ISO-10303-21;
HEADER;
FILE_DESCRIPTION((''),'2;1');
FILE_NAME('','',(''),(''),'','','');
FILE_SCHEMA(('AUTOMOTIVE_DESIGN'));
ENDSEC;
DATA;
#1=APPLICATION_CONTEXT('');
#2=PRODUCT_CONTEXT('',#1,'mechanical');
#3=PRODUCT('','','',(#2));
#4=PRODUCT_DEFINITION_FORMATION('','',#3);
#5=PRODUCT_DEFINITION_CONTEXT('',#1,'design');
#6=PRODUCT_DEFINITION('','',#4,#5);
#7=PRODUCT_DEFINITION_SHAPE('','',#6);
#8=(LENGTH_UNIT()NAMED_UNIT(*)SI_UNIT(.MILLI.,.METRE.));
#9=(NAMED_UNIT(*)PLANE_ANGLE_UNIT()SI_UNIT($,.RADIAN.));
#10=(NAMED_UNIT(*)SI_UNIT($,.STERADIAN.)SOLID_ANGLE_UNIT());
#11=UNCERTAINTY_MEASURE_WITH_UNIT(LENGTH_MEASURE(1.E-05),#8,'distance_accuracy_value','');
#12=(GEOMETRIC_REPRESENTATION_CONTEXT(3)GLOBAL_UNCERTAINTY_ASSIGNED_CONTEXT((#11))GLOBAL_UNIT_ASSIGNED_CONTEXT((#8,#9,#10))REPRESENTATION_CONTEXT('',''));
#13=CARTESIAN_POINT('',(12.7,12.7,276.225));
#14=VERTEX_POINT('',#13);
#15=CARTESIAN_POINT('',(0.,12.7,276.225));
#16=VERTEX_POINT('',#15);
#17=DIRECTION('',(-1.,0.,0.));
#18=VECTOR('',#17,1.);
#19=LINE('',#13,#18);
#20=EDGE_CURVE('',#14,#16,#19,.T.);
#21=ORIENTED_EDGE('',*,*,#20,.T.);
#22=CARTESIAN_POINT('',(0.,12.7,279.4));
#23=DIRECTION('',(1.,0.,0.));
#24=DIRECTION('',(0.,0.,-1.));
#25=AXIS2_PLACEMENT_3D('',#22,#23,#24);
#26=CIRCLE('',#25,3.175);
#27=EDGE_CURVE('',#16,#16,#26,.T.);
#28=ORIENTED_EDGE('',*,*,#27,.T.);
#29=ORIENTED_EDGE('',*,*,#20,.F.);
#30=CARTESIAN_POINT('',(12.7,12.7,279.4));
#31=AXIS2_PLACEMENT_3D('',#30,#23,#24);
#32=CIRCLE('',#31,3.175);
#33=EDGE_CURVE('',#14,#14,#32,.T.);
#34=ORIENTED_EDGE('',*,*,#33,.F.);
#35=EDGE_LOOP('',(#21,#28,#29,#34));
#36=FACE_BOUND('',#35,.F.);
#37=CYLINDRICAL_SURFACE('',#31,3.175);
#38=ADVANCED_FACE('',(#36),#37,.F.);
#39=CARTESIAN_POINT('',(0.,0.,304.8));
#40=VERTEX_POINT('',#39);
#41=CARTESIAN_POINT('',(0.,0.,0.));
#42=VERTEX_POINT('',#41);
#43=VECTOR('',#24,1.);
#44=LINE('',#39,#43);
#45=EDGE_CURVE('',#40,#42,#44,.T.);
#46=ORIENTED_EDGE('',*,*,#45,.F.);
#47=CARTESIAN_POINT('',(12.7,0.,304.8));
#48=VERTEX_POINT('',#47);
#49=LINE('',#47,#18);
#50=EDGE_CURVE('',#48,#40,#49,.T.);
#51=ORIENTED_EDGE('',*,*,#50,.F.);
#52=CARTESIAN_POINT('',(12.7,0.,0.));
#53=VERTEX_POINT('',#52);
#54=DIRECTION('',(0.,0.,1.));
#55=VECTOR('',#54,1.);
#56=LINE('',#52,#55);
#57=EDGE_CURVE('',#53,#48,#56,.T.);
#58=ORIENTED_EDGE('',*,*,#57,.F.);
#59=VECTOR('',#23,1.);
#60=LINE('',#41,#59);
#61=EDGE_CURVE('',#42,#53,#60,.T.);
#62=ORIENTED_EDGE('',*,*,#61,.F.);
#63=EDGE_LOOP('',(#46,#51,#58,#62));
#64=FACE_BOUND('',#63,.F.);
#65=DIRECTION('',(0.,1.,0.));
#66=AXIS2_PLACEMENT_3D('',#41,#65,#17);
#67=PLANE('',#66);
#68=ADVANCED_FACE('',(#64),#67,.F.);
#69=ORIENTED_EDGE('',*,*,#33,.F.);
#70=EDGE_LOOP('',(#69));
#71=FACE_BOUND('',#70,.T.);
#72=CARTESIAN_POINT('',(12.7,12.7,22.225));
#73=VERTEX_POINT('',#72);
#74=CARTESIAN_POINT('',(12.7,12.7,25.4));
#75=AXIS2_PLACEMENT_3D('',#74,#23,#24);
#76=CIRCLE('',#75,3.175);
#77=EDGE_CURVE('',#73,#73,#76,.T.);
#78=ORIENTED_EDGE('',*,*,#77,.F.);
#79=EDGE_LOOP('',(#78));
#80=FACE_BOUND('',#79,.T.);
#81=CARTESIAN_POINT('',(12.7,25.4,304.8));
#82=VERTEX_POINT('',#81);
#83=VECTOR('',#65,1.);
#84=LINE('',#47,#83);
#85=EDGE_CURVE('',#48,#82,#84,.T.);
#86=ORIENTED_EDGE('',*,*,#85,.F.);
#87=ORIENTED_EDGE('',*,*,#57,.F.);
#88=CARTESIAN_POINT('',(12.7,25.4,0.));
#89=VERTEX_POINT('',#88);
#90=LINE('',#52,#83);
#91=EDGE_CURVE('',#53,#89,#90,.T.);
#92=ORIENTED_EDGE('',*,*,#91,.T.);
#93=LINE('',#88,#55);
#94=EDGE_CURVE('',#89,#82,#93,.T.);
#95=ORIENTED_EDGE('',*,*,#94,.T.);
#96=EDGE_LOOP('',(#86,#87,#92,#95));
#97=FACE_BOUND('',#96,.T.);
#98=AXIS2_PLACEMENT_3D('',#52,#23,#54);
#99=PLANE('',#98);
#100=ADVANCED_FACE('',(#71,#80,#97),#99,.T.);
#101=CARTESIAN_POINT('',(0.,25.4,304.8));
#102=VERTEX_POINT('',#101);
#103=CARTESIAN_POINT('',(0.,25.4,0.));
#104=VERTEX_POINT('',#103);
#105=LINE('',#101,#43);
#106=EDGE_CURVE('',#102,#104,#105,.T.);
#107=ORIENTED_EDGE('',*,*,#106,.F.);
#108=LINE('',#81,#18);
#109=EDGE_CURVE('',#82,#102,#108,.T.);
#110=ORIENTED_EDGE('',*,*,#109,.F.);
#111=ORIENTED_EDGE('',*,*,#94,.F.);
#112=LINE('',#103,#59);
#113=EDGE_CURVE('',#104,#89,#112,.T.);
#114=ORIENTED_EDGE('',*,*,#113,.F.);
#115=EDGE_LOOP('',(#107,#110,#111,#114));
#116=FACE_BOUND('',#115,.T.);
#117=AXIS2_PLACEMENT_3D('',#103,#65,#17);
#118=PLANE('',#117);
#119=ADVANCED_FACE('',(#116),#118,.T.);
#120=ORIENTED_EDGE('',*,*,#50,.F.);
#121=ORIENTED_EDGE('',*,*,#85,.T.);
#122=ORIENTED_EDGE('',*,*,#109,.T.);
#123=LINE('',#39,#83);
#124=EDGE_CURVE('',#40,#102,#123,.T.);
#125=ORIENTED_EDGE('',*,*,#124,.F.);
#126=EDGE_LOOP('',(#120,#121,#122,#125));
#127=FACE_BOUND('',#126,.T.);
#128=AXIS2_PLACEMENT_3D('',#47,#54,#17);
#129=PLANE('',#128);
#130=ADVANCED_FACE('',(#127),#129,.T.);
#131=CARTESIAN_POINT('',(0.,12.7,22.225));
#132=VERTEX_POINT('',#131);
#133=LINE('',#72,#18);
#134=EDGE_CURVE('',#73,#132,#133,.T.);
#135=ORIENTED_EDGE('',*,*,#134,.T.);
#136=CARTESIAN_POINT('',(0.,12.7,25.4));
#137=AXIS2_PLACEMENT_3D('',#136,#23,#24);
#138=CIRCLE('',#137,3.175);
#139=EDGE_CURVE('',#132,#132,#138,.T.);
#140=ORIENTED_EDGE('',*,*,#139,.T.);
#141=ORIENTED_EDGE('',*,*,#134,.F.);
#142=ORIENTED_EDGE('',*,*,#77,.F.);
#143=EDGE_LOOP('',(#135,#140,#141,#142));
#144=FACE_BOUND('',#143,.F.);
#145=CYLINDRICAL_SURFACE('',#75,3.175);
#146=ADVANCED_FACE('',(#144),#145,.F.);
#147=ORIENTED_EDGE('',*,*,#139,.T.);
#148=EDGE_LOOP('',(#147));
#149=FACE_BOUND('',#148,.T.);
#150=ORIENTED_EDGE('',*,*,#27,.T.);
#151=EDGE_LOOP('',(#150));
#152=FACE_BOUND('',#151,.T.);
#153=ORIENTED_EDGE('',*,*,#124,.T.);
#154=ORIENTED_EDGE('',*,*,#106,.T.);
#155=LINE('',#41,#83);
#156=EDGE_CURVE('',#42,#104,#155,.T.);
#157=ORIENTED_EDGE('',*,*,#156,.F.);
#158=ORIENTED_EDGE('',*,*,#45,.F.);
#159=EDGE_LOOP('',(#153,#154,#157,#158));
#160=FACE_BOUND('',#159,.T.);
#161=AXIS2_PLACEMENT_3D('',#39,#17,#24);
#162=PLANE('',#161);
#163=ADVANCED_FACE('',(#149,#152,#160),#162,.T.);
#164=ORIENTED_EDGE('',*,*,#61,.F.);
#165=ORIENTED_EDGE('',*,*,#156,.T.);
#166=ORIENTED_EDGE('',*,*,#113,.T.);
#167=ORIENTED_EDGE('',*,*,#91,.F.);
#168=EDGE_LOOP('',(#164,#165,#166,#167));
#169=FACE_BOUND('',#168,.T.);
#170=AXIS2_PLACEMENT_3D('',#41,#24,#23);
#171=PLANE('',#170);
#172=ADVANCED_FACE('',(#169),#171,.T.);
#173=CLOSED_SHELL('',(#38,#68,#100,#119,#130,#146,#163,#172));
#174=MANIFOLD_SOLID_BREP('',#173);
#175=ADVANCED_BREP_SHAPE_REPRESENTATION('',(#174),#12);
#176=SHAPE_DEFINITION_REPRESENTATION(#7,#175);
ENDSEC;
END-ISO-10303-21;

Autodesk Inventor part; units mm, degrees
ref_plane "YZ Plane" through (0, 0, 0) normal (1, 0, 0) x (0, 1, 0)
ref_plane "XZ Plane" through (0, 0, 0) normal (0, 1, 0) x (-1, 0, 0)
ref_plane "XY Plane" through (0, 0, 0) normal (0, 0, 1) x (1, 0, 0)
sketch "Sketch1" plane through (0, 0, 0) normal (0, 1, 0) x (-1, 0, 0)
  line L0 (0, 0) -> (-12.7, 0)
  line L1 (-12.7, 0) -> (-12.7, 304.8)
  line L2 (-12.7, 304.8) -> (0, 304.8)
  line L3 (0, 304.8) -> (0, 0)
  dimension "d0" = 304.8
  dimension "d1" = 12.7
extrude "Extrusion1" add sketch "Sketch1" along normal blind 25.4
sketch "Sketch2" plane through (12.7, 0, 304.8) normal (1, 0, 0) x (0, 0, -1)
  circle A0 centre (279.4, 12.7) radius 3.175
  line L0 (304.8, 0) -> (304.8, 25.4) projected
  line L1 (0, 25.4) -> (304.8, 25.4) projected
  circle A1 centre (25.4, 12.7) radius 3.175
  line L2 (0, 0) -> (0, 25.4) projected
  line L3 (304.8, 0) -> (0, 0) projected
  dimension "d4" = 6.35
  dimension "d5" = 25.4
  dimension "d6" = 12.7
  dimension "d7" = 6.35
  dimension "d8" = 25.4
  dimension "d9" = 12.7
extrude "Extrusion2" cut sketch "Sketch2" against normal through all contours A0 | A1
properties part number "arm3"
